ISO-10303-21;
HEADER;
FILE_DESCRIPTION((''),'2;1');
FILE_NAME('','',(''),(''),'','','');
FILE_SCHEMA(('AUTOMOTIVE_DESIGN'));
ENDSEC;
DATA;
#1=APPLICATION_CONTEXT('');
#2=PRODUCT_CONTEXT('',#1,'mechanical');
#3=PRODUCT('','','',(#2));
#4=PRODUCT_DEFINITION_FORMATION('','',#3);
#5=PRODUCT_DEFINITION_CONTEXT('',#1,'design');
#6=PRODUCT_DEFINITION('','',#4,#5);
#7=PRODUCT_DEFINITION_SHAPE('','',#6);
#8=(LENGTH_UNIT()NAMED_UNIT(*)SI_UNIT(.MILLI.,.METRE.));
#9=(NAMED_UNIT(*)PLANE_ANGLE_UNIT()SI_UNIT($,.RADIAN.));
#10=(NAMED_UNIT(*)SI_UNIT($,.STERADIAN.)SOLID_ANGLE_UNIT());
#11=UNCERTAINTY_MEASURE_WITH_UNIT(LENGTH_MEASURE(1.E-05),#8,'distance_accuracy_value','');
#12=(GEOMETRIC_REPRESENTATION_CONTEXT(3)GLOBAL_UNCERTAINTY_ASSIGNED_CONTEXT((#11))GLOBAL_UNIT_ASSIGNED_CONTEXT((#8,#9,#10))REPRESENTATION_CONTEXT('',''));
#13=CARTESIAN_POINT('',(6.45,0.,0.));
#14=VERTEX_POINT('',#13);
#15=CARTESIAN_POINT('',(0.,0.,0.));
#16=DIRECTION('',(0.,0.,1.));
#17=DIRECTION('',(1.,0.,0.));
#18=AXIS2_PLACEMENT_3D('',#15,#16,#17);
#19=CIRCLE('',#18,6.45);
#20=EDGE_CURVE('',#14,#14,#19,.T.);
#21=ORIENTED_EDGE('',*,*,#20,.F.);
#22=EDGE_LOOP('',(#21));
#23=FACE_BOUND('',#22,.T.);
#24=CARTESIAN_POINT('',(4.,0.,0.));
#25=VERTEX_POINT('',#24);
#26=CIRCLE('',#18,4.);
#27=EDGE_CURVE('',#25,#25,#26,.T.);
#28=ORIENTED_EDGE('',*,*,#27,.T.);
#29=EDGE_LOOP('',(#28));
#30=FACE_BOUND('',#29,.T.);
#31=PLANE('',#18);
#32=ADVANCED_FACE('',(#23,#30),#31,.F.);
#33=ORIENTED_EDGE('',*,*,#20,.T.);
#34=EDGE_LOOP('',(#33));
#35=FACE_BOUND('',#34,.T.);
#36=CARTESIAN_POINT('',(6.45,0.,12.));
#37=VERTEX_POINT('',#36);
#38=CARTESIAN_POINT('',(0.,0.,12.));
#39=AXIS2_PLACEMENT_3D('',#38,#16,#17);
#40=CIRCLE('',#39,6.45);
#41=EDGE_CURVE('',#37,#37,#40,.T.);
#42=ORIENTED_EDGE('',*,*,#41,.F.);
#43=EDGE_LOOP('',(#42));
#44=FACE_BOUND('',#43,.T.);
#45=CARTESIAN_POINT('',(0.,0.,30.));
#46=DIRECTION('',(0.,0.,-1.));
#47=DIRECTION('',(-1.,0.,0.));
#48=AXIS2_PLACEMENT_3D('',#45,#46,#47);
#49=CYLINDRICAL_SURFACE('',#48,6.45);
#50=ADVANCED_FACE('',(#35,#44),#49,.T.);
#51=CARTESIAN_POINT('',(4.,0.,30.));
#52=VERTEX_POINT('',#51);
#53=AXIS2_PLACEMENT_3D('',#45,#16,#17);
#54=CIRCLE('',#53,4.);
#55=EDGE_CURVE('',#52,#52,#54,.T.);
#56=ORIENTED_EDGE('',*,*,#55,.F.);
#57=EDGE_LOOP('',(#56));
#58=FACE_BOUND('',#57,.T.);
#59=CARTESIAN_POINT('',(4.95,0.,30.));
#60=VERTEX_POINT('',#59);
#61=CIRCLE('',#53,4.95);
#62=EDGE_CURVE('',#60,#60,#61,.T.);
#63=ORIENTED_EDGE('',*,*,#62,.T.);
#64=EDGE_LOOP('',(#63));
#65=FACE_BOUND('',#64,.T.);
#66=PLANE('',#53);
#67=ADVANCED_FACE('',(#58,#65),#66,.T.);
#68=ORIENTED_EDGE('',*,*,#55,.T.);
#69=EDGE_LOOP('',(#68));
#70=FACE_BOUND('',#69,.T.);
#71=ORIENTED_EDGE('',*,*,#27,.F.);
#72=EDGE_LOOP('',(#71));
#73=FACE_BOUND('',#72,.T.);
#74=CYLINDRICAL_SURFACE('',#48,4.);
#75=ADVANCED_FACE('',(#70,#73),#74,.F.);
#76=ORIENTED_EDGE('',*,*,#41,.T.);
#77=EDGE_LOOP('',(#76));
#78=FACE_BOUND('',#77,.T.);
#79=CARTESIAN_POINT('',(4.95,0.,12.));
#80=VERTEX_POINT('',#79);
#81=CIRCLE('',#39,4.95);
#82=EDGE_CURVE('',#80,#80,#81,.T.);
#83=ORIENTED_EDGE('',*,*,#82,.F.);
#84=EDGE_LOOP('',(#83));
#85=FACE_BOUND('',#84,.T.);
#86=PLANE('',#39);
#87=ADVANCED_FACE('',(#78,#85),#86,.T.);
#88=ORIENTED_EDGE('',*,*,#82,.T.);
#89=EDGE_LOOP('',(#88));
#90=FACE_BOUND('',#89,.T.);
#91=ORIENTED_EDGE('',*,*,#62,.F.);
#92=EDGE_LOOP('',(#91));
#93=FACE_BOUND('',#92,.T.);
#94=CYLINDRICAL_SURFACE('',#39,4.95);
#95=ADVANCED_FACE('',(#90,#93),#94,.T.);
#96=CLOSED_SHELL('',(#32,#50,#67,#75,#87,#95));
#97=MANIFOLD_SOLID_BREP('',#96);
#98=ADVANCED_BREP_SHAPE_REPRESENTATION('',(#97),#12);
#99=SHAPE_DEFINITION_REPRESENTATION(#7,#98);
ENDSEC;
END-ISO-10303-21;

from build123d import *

# Parameters (mm, degrees)
SKETCH1_R           = 6.45
SKETCH1_R_2         = 4
BOSS_EXTRUDE1_DEPTH = 30
CUT_EXTRUDE1_START  = -18
SKETCH2_R           = 6.45
SKETCH2_R_2         = 4.95
CUT_EXTRUDE1_DEPTH  = 18


with BuildPart() as part:
    # Sketch1 → Boss-Extrude1 (new body)
    with BuildSketch(Plane.XY):
        Circle(SKETCH1_R)
        Circle(SKETCH1_R_2, mode=Mode.SUBTRACT)
    extrude(amount=BOSS_EXTRUDE1_DEPTH)

    # Sketch2 → Cut-Extrude1 (cut)
    with BuildSketch(Plane.XY.offset(30).offset(CUT_EXTRUDE1_START)):
        Circle(SKETCH2_R)
        Circle(SKETCH2_R_2, mode=Mode.SUBTRACT)
    extrude(amount=CUT_EXTRUDE1_DEPTH, mode=Mode.SUBTRACT)


solid = part.part
